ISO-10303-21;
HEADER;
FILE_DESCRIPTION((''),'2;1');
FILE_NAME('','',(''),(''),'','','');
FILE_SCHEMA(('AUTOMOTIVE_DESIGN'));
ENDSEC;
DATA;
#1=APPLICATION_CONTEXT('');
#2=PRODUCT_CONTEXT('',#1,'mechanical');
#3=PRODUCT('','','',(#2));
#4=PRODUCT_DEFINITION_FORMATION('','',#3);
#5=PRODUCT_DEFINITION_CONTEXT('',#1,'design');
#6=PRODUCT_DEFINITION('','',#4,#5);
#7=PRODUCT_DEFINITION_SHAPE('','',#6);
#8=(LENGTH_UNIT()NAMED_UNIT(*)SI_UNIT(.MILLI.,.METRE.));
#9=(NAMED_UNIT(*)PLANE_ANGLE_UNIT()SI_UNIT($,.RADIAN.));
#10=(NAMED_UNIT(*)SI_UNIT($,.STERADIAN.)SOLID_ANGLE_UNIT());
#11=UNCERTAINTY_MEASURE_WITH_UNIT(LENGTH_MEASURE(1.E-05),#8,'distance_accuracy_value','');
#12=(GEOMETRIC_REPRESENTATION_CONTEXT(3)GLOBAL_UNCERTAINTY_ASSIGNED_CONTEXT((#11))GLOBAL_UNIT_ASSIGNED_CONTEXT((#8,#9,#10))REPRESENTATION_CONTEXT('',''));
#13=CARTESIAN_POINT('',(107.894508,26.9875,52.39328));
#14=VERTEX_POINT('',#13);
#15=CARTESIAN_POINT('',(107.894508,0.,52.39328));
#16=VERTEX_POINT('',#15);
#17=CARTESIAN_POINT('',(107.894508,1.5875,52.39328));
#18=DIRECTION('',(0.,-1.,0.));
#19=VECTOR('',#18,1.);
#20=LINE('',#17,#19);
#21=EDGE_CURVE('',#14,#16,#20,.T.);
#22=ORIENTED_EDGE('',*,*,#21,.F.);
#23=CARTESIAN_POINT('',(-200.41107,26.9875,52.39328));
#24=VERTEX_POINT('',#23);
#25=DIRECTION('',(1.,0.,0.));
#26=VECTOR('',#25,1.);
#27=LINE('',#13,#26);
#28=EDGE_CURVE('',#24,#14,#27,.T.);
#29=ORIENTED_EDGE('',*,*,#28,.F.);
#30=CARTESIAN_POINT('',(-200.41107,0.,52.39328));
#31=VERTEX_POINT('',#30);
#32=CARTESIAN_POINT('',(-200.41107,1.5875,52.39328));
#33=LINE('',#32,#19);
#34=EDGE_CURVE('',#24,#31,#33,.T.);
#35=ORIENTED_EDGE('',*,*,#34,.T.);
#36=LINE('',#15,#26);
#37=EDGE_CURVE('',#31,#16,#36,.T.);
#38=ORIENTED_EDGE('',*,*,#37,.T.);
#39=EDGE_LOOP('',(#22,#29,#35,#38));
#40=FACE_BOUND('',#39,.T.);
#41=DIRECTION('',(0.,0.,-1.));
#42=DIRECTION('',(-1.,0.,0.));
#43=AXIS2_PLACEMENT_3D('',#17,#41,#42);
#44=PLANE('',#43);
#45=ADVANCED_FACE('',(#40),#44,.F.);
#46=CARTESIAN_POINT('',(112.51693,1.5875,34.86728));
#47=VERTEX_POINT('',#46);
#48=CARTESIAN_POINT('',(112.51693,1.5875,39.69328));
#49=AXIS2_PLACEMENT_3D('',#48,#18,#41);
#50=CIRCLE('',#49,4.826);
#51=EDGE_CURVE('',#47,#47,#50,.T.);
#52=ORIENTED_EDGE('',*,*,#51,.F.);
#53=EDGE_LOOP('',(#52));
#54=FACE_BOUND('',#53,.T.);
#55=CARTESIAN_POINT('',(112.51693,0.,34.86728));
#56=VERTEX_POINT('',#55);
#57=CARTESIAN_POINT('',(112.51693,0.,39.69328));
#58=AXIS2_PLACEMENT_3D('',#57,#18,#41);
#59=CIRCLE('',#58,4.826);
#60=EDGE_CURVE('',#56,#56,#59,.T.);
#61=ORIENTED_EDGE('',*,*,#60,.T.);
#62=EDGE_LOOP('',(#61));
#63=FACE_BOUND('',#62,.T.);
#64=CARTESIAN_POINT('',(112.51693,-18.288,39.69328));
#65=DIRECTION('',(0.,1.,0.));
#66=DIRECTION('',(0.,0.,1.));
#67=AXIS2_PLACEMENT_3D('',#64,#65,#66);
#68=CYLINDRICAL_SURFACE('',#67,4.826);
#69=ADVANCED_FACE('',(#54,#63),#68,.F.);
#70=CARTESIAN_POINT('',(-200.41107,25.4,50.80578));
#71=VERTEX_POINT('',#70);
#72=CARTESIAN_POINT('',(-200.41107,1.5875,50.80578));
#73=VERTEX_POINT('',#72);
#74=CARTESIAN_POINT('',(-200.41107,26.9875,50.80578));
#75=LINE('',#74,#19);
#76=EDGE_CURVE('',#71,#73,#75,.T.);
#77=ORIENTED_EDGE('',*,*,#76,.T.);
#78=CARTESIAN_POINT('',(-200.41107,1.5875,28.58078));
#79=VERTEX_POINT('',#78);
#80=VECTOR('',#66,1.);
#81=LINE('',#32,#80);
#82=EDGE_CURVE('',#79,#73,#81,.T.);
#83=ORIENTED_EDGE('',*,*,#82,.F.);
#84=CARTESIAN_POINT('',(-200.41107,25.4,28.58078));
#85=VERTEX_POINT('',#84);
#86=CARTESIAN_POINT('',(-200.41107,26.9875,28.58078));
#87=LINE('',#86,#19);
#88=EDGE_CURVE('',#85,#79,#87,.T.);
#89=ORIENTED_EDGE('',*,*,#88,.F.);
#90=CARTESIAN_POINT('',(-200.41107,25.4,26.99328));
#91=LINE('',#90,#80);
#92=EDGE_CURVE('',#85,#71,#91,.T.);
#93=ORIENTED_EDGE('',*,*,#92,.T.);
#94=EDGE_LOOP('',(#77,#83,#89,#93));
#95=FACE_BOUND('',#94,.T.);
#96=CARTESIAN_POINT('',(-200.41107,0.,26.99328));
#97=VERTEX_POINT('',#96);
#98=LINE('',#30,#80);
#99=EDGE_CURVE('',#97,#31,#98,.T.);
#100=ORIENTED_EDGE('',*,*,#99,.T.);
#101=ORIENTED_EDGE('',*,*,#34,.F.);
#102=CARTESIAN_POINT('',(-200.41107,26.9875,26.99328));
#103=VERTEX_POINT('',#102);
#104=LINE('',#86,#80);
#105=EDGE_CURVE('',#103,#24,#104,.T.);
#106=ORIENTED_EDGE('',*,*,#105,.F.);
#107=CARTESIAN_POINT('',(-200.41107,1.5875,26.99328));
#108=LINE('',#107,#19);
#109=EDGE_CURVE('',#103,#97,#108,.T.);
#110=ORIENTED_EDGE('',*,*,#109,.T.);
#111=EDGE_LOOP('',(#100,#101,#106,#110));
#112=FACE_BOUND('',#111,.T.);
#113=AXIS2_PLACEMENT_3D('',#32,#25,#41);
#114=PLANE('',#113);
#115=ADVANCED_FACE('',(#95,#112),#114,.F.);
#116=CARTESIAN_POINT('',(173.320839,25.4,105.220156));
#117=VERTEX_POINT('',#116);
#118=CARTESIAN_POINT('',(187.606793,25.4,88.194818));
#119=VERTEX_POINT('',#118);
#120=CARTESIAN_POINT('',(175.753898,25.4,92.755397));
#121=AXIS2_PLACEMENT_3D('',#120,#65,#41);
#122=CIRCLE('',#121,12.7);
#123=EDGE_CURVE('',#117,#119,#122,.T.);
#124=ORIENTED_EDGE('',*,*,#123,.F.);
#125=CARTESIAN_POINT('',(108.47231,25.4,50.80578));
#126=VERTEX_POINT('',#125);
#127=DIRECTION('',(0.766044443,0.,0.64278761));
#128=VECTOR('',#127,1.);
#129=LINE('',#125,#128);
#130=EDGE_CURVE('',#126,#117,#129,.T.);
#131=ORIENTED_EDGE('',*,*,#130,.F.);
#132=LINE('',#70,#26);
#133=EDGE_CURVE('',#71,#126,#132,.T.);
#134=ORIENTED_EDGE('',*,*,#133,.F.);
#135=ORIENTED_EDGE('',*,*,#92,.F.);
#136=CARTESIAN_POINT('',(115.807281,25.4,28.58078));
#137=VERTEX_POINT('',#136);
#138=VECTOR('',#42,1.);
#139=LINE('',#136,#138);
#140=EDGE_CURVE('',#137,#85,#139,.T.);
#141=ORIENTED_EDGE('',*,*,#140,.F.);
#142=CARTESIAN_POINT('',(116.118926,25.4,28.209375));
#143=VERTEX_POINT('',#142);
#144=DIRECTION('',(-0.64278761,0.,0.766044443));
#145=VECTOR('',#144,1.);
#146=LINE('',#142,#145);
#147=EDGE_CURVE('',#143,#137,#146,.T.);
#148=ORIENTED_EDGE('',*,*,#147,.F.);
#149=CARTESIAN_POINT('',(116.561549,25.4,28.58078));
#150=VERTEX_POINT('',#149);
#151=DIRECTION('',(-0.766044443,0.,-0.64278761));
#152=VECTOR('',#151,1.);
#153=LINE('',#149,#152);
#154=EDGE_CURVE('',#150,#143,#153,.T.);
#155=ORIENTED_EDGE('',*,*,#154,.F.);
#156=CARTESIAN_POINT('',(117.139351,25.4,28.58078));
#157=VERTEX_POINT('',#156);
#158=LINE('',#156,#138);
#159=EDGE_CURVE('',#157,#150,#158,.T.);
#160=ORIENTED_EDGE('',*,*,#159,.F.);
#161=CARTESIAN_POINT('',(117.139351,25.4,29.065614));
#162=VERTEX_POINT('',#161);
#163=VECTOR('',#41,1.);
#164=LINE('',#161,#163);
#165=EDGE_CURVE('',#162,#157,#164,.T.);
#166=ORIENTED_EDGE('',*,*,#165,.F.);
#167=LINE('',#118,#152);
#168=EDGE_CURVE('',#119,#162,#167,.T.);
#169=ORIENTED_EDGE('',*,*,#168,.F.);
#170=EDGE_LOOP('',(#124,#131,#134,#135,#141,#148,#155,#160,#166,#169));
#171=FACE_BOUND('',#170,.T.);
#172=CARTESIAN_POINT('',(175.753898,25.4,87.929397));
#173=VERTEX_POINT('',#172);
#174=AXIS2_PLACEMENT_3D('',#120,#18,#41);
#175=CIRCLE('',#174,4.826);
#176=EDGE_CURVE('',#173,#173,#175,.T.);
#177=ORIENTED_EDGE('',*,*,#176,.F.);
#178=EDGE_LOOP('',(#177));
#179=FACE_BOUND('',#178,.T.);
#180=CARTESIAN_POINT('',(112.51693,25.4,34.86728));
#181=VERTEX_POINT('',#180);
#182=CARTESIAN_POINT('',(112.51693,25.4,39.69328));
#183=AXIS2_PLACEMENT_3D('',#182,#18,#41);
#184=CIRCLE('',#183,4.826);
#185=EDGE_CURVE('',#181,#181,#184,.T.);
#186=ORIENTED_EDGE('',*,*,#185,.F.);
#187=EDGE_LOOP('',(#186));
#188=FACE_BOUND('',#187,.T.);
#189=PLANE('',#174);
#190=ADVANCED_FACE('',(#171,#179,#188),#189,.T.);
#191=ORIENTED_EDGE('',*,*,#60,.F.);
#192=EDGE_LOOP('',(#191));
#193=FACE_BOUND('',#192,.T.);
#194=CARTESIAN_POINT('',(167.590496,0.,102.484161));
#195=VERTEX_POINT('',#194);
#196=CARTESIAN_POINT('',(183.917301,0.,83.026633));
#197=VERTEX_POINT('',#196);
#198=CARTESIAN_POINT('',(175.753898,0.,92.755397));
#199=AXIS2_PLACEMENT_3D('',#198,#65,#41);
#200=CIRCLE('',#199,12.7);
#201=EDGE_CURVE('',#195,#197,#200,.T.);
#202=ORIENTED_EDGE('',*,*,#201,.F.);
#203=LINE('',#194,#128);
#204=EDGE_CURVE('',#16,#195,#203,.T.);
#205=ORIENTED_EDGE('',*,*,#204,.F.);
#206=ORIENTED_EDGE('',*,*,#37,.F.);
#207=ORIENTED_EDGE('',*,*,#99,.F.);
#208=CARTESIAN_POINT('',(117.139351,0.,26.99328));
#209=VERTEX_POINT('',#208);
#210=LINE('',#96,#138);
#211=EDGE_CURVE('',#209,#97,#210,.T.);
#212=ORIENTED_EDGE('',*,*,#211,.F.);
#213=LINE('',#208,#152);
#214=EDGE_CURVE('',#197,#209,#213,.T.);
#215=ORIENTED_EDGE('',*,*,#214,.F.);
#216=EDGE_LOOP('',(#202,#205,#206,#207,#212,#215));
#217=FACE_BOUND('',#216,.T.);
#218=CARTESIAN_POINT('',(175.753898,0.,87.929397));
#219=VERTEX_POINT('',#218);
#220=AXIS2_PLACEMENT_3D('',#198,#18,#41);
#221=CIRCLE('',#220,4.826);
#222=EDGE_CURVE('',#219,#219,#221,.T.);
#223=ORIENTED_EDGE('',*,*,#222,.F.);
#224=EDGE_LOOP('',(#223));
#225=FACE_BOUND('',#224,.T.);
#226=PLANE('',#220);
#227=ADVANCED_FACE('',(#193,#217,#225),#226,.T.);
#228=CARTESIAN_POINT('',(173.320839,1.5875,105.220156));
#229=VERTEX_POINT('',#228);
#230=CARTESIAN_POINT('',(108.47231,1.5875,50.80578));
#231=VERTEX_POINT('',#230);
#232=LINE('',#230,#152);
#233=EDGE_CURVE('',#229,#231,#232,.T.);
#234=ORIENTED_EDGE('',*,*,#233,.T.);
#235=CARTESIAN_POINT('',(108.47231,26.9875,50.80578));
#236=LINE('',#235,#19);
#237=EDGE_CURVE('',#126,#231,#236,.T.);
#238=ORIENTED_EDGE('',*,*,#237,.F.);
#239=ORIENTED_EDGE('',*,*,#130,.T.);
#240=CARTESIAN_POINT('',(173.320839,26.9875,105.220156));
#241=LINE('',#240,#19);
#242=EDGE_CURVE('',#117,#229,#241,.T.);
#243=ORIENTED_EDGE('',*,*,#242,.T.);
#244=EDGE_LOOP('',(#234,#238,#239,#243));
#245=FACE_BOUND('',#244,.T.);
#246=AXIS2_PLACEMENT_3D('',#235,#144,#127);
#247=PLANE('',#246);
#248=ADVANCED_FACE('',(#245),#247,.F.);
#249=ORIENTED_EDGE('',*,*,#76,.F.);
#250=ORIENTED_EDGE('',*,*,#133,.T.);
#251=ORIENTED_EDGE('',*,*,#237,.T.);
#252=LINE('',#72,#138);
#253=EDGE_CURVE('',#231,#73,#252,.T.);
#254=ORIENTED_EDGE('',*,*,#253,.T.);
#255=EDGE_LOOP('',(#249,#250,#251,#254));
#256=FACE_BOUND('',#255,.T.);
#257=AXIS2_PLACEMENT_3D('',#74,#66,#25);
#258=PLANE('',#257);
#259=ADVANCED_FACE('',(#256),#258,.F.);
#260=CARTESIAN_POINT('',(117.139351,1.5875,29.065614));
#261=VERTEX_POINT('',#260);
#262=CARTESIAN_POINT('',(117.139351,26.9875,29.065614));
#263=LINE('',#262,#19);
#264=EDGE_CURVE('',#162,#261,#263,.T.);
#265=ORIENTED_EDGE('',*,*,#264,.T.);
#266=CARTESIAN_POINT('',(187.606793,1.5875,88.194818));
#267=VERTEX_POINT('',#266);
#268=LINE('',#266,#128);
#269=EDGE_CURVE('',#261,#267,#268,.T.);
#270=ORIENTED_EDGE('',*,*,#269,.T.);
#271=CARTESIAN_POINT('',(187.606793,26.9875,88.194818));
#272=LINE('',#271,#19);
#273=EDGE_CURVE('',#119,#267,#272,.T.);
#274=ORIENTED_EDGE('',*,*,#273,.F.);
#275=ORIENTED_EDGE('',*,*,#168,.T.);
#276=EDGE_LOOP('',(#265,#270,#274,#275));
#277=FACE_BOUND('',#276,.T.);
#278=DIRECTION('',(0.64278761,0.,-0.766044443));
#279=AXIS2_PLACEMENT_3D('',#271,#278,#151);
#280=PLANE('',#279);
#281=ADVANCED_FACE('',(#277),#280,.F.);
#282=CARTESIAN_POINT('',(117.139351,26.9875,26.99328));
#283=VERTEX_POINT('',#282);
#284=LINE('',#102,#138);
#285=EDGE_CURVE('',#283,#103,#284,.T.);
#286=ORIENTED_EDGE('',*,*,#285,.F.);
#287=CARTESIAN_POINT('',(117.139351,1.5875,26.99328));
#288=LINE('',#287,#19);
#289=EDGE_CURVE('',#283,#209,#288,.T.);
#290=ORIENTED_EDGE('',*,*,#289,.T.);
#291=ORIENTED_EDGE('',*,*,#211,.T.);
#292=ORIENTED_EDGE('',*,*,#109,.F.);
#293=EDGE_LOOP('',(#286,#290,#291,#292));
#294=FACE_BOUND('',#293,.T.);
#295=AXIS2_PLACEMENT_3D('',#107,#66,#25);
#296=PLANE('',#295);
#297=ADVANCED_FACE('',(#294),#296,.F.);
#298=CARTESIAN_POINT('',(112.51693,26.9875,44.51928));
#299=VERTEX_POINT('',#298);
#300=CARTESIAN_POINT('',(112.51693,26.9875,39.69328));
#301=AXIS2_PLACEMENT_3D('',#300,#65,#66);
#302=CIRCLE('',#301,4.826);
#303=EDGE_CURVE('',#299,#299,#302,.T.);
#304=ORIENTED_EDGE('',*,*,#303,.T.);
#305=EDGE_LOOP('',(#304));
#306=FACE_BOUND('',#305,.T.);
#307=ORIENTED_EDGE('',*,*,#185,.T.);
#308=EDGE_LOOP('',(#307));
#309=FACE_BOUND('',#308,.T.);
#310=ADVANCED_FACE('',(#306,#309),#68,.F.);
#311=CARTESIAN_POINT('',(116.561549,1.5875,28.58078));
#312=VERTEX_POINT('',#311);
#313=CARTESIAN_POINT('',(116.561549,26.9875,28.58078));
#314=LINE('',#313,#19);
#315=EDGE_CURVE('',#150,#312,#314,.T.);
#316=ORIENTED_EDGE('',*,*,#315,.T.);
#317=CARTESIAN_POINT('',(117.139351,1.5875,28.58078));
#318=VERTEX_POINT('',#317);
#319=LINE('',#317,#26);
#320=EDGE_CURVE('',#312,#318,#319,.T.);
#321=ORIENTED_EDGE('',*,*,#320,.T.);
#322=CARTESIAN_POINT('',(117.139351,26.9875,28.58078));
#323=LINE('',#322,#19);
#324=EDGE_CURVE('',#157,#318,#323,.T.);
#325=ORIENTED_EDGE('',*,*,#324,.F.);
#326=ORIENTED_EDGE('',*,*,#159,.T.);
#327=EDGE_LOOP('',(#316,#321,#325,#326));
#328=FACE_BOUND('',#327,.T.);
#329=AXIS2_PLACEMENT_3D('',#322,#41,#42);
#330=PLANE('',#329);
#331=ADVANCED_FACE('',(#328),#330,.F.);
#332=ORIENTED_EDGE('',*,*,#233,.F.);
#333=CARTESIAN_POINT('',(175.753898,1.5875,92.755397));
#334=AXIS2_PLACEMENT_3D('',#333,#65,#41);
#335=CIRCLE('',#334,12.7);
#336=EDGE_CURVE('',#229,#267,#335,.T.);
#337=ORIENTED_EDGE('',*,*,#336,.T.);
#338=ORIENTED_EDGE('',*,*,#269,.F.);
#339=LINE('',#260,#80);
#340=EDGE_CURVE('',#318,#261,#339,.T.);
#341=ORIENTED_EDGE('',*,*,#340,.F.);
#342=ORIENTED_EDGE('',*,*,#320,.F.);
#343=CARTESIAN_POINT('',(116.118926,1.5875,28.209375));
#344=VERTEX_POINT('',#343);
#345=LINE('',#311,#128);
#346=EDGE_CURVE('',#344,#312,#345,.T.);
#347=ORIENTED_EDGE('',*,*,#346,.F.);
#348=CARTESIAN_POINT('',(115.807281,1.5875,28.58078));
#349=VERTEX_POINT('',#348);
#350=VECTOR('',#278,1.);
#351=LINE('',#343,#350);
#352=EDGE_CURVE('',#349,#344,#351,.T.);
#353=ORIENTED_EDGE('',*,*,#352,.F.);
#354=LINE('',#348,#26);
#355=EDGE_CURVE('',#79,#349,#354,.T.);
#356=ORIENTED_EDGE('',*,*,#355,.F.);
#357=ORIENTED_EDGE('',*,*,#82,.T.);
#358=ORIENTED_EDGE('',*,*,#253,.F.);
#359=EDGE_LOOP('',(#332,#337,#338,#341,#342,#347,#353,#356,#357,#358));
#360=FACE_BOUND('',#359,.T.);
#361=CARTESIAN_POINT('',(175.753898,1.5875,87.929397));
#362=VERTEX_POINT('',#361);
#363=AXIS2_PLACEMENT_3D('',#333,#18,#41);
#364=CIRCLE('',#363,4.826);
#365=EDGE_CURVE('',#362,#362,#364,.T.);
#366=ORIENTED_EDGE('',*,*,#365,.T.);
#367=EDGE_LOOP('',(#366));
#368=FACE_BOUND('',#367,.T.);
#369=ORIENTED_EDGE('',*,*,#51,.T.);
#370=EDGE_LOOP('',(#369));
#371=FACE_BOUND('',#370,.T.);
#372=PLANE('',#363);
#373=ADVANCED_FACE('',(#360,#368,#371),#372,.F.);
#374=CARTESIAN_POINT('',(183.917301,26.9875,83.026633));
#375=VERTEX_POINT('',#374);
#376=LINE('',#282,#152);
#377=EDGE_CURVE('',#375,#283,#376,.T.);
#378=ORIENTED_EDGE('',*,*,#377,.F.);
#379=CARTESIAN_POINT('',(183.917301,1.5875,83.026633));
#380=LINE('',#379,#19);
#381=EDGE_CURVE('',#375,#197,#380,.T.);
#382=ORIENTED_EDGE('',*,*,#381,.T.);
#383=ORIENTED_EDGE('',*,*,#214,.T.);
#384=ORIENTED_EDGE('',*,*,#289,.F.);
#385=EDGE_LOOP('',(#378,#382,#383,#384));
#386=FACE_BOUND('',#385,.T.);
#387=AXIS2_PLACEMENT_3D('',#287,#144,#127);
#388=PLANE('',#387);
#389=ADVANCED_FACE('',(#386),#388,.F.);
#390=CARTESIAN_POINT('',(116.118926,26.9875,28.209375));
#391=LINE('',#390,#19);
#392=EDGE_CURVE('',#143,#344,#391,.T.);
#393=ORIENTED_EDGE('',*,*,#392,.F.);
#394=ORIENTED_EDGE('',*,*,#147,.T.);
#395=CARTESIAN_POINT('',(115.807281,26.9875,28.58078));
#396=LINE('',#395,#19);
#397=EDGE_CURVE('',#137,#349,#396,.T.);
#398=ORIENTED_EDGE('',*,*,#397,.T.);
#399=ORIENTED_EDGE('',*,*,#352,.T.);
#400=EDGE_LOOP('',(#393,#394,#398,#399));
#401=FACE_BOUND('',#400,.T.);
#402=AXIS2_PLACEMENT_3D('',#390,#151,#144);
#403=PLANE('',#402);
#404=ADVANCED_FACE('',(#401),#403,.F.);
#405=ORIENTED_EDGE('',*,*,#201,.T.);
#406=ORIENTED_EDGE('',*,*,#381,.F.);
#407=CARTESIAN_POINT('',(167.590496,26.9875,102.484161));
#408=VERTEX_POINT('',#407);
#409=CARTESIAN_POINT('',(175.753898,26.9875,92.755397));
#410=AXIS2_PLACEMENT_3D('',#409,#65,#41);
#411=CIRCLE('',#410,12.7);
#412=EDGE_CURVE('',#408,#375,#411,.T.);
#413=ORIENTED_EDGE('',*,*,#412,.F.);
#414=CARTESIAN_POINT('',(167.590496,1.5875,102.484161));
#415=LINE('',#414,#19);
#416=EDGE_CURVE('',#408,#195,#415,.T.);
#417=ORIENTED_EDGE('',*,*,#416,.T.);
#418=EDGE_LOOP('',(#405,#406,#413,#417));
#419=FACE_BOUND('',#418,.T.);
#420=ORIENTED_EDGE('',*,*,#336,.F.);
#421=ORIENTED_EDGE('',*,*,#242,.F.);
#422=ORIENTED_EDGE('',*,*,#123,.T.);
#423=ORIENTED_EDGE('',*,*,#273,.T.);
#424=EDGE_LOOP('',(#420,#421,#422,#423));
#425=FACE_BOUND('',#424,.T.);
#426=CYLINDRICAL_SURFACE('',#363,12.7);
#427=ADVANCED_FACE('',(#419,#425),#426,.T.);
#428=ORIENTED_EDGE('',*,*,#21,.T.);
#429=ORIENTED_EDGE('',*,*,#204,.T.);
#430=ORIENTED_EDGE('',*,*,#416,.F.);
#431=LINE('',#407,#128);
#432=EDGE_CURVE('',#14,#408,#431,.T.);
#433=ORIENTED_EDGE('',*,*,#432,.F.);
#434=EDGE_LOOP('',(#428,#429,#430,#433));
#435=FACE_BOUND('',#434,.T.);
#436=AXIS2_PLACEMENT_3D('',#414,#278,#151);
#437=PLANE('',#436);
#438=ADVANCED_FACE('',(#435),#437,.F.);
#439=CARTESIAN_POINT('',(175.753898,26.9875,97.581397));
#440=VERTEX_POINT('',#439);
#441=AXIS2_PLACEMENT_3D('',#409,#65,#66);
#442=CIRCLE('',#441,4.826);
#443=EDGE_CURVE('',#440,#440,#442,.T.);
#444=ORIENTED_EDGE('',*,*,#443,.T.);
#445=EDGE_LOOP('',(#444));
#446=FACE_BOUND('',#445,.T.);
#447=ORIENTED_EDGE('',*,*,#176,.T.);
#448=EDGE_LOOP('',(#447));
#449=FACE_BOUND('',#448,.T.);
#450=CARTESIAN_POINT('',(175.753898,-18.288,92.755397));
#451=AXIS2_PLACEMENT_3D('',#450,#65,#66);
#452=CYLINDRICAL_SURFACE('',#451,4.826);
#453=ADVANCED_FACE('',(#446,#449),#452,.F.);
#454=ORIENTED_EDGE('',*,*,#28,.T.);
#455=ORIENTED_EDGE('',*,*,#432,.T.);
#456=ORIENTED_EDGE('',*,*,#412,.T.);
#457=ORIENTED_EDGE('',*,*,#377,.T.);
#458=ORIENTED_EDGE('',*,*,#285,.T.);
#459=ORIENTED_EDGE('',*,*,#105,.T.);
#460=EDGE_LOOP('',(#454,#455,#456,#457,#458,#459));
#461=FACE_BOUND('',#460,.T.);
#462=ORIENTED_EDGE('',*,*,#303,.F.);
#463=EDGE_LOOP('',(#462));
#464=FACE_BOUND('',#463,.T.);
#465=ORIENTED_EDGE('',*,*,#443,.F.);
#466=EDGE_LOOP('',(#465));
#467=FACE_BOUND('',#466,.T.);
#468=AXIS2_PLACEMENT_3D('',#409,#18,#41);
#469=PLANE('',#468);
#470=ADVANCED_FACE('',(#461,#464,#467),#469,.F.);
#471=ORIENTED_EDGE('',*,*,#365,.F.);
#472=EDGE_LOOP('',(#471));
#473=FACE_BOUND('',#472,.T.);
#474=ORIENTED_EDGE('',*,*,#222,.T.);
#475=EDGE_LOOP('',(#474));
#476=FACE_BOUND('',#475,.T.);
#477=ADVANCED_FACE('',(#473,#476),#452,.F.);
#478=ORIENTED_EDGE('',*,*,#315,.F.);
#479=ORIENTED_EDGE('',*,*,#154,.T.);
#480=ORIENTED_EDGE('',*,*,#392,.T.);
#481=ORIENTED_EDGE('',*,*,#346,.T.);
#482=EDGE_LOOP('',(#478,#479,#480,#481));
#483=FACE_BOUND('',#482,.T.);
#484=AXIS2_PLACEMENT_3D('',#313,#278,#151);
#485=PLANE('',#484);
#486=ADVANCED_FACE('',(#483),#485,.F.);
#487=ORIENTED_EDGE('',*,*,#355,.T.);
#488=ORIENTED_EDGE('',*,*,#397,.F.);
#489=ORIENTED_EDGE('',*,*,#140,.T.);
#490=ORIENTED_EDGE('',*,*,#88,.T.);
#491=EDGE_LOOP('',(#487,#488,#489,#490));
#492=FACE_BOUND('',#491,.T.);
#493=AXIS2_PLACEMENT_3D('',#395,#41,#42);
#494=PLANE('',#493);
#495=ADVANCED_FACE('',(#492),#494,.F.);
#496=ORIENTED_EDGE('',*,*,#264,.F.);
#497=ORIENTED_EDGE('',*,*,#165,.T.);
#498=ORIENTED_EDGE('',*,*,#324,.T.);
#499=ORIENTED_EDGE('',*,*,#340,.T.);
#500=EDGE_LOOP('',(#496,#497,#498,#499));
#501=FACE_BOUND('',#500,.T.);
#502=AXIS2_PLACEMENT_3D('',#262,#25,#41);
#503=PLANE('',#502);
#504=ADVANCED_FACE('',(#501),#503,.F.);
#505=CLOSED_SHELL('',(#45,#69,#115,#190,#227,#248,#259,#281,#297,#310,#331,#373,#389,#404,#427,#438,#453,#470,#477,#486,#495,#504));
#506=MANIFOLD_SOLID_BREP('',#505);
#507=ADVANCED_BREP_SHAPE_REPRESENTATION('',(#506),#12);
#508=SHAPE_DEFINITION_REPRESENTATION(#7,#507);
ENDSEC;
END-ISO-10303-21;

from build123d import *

# Parameters (mm, degrees)
BOSS_EXTRUDE1_DEPTH = 1.5875
BOSS_EXTRUDE2_DEPTH = 25.4
BOSS_EXTRUDE3_START = -1.5875
BOSS_EXTRUDE3_DEPTH = 1.5875
SKETCH7_R           = 4.826
CUT_EXTRUDE1_DEPTH  = 45.2755


with BuildPart() as part:
    # Sketch1 → Boss-Extrude1 (new body)
    with BuildSketch(Plane(origin=(0, 0, 0), x_dir=(1, 0, 0), z_dir=(0, 1, 0))):
        with BuildLine():
            Line((167.59049564, -102.48416143), (107.894507528, -52.393279822))
            Line((107.894507528, -52.393279822), (-200.411070496, -52.393279822))
            Line((-200.411070496, -52.393279822), (-200.411070496, -26.993279822))
            Line((-200.411070496, -26.993279822), (117.139351479, -26.993279822))
            Line((117.139351479, -26.993279822), (183.917300926, -83.026632574))
            ThreePointArc((183.917300926, -83.026632574), (185.482662711, -100.918799645), (167.59049564, -102.48416143))
        make_face()
    extrude(amount=BOSS_EXTRUDE1_DEPTH)

    # Sketch2 → Boss-Extrude2 (add)
    with BuildSketch(Plane(origin=(0, 1.5875, 0), x_dir=(1, 0, 0), z_dir=(0, 1, 0))):
        with BuildLine():
            Line((187.606793422, -88.194818438), (117.139351479, -29.065613894))
            Line((117.139351479, -29.065613894), (117.139351479, -28.580779822))
            Line((117.139351479, -28.580779822), (116.561548732, -28.580779822))
            Line((116.561548732, -28.580779822), (116.118926148, -28.209375376))
            Line((116.118926148, -28.209375376), (115.807280814, -28.580779822))
            Line((115.807280814, -28.580779822), (-200.411070496, -28.580779822))
            Line((-200.411070496, -28.580779822), (-200.411070496, -26.993279822))
            Line((-200.411070496, -26.993279822), (117.139351479, -26.993279822))
            Line((117.139351479, -26.993279822), (183.917300926, -83.026632574))
            ThreePointArc((183.917300926, -83.026632574), (186.090270011, -85.376412011), (187.606793422, -88.194818438))
        make_face()
        with BuildLine():
            Line((-200.411070496, -52.393279822), (-200.411070496, -50.805779822))
            Line((-200.411070496, -50.805779822), (108.472310275, -50.805779822))
            Line((108.472310275, -50.805779822), (173.320838796, -105.220156187))
            ThreePointArc((173.320838796, -105.220156187), (170.281908769, -104.216083315), (167.59049564, -102.48416143))
            Line((167.59049564, -102.48416143), (107.894507528, -52.393279822))
            Line((107.894507528, -52.393279822), (-200.411070496, -52.393279822))
        make_face()
    extrude(amount=BOSS_EXTRUDE2_DEPTH)

    # Sketch6 → Boss-Extrude3 (add)
    with BuildSketch(Plane(origin=(0, 26.9875, 0), x_dir=(1, 0, 0), z_dir=(0, 1, 0)).offset(BOSS_EXTRUDE3_START)):
        with BuildLine():
            Line((-200.411070496, -26.993279822), (117.139351479, -26.993279822))
            Line((117.139351479, -26.993279822), (183.917300926, -83.026632574))
            ThreePointArc((183.917300926, -83.026632574), (185.482662711, -100.918799645), (167.59049564, -102.48416143))
            Line((167.59049564, -102.48416143), (107.894507528, -52.393279822))
            Line((107.894507528, -52.393279822), (-200.411070496, -52.393279822))
            Line((-200.411070496, -52.393279822), (-200.411070496, -26.993279822))
        make_face()
    extrude(amount=BOSS_EXTRUDE3_DEPTH)

    # Sketch7 → Cut-Extrude1 (cut)
    with BuildSketch(Plane(origin=(0, 26.9875, 0), x_dir=(1, 0, 0), z_dir=(0, 1, 0))):
        with Locations(Location((175.753898283, -92.755397002, 0), (0, 0, 270))):
            Circle(SKETCH7_R)
        with Locations(Location((112.516929504, -39.693279822, 0), (0, 0, 270))):
            Circle(SKETCH7_R)
    extrude(amount=-CUT_EXTRUDE1_DEPTH, mode=Mode.SUBTRACT)


solid = part.part
